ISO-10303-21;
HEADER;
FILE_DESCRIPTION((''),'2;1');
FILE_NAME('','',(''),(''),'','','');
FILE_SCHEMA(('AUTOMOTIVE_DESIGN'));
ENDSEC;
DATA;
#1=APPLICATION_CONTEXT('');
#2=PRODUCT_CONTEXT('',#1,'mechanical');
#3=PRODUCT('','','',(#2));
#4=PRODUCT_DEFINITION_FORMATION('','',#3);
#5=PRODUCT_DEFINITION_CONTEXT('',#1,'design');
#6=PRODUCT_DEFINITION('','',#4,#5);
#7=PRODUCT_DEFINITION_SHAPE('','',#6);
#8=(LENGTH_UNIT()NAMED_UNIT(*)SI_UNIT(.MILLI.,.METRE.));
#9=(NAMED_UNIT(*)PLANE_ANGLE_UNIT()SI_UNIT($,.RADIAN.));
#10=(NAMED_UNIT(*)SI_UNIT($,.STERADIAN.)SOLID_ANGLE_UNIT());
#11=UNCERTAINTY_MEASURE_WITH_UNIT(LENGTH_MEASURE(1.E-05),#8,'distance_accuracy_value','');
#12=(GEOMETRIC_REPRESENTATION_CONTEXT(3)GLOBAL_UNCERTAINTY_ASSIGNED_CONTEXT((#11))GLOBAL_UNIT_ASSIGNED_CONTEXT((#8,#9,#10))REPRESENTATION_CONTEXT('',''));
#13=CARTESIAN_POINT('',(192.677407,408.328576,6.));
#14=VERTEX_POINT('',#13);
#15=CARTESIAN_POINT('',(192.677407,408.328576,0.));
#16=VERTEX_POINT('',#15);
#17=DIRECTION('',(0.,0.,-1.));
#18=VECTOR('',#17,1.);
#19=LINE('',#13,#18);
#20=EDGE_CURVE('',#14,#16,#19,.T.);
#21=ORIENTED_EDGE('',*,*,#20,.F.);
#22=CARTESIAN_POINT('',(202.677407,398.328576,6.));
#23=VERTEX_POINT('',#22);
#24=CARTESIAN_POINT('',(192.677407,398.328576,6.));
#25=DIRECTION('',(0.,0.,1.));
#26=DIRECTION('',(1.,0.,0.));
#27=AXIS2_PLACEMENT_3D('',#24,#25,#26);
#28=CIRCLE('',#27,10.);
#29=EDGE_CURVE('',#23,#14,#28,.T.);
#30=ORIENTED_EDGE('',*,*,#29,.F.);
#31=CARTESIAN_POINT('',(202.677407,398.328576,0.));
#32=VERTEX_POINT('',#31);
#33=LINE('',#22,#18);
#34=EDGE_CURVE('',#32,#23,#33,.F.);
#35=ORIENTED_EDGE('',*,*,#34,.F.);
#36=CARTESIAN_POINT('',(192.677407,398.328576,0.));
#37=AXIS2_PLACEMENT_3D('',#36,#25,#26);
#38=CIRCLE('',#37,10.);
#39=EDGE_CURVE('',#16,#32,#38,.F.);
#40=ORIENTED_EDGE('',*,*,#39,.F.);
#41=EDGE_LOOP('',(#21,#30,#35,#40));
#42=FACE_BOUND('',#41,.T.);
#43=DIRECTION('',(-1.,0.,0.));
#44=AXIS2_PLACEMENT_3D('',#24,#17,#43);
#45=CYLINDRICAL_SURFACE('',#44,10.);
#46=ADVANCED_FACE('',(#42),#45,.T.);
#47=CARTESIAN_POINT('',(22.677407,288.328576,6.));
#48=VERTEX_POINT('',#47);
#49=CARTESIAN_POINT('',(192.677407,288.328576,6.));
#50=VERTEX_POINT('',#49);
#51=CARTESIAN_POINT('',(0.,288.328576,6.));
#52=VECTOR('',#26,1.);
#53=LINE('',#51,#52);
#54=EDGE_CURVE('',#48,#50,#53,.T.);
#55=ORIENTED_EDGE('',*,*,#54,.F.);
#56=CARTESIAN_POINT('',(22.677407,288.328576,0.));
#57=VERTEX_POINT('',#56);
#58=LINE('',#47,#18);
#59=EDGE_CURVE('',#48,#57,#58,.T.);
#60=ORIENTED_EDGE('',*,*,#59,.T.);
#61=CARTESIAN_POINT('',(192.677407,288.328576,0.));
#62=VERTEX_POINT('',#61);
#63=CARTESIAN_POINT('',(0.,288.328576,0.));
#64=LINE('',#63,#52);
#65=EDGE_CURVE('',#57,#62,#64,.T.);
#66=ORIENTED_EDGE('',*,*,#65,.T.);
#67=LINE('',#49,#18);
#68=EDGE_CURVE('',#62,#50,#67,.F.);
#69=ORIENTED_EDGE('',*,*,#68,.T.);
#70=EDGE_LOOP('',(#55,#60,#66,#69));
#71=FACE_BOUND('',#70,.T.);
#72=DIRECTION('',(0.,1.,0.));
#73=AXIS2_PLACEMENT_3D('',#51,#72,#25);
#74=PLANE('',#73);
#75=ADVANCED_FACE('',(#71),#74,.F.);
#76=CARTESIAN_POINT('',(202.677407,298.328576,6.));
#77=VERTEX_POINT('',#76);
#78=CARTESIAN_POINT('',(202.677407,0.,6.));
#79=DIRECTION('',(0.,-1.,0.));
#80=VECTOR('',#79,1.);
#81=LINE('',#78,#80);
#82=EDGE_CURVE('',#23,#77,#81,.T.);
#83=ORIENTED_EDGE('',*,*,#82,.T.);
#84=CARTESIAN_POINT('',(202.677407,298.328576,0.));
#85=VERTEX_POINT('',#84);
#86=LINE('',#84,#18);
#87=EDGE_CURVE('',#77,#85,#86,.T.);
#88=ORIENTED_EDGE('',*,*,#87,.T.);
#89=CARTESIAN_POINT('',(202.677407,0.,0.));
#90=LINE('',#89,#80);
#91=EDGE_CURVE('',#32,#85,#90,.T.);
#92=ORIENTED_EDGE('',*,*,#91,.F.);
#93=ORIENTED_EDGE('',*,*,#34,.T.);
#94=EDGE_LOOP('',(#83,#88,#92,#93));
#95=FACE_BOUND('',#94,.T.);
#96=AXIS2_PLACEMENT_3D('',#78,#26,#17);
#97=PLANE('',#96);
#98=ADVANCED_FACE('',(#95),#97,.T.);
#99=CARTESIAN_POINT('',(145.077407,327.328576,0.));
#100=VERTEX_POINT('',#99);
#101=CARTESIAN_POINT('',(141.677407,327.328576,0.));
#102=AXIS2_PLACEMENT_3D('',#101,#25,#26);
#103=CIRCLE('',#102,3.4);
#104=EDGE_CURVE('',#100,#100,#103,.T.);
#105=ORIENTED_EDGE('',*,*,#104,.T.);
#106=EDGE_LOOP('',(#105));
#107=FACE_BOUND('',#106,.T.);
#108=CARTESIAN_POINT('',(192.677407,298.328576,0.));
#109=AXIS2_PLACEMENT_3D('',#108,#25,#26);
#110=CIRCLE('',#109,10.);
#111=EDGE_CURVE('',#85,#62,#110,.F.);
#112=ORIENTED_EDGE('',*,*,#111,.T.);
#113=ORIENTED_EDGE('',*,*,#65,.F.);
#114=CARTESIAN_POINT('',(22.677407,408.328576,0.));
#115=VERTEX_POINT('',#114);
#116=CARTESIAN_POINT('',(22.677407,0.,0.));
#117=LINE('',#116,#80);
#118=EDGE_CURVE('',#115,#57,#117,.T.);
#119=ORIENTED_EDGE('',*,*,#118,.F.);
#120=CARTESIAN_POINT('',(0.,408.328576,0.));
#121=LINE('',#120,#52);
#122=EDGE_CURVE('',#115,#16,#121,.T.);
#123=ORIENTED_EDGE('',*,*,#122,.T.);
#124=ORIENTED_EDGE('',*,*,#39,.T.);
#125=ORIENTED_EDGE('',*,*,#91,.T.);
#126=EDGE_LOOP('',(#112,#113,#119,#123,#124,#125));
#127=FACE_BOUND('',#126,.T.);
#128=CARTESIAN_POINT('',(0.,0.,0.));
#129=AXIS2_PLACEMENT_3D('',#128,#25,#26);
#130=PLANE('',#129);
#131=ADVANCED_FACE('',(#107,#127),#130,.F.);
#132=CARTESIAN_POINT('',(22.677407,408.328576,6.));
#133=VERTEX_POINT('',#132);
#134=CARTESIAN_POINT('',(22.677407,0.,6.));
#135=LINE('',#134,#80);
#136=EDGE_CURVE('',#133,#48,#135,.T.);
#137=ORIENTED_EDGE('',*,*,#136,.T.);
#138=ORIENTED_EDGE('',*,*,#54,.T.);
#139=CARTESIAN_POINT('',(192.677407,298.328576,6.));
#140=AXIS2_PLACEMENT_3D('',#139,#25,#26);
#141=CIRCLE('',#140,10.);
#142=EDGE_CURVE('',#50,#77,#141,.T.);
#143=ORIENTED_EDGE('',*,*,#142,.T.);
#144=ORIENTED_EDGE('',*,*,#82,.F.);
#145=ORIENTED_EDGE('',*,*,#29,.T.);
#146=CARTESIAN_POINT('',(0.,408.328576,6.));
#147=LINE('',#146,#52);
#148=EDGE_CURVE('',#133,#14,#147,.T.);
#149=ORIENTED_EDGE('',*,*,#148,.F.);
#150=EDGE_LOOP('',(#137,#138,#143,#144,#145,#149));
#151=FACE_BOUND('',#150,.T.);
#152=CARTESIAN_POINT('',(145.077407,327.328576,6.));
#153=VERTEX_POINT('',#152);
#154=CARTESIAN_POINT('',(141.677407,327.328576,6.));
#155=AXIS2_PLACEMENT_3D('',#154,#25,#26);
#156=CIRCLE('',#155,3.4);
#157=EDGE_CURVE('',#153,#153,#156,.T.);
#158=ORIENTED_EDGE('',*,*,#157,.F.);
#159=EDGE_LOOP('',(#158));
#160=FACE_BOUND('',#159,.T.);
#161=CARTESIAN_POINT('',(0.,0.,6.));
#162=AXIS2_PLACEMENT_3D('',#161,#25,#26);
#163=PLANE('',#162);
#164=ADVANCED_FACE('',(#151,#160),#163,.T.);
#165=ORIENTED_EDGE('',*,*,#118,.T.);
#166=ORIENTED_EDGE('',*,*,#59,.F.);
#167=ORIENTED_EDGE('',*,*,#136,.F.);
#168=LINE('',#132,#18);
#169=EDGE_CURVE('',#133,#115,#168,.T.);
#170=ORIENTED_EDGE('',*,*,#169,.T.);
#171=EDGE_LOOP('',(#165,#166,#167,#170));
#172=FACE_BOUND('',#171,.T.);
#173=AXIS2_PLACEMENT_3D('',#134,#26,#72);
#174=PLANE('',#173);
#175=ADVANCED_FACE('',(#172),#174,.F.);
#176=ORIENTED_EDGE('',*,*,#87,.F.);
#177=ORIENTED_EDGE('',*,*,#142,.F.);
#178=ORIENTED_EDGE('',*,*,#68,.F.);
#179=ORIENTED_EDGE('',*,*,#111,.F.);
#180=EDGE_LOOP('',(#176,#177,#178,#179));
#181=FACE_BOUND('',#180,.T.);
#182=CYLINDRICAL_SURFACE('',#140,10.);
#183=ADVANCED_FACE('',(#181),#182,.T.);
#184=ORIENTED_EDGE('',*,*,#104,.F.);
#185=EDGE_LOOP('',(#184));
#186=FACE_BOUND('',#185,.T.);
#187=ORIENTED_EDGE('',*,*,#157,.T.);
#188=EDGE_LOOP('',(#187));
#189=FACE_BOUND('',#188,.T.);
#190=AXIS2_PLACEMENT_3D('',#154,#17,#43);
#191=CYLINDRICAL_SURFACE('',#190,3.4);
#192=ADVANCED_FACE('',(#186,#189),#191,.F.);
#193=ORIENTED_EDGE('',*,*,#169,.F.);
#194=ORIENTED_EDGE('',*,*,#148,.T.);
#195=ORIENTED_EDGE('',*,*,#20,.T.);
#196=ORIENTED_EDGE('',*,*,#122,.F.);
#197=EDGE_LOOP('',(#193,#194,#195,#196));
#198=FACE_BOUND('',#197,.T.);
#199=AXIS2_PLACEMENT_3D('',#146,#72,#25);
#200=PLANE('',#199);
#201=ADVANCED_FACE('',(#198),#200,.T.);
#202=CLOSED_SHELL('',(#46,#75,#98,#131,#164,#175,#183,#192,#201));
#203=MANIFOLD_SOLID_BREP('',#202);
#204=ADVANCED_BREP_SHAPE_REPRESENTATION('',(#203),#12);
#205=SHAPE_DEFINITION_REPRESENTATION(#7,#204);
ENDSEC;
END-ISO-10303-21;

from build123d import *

# Parameters (mm, degrees)
SKETCH2_W           = 180
SKETCH2_H           = 120
SKETCH2_R           = 3.4
BOSS_EXTRUDE1_DEPTH = 6
FILLET1_R           = 10


with BuildPart() as part:
    # Sketch2 → Boss-Extrude1 (new body)
    with BuildSketch(Plane.XY):
        with Locations((112.677406729, 348.328575943)):
            Rectangle(SKETCH2_W, SKETCH2_H)
        with Locations((141.677406729, 327.328575943)):
            Circle(SKETCH2_R, mode=Mode.SUBTRACT)
    extrude(amount=BOSS_EXTRUDE1_DEPTH)

    # Fillet1
    fillet1_edges = [part.edges().sort_by_distance(p)[0] for p in [
        (202.677406729, 288.328575943, 3),
        (202.677406729, 408.328575943, 3),
    ]]
    fillet(fillet1_edges, radius=FILLET1_R)


solid = part.part
